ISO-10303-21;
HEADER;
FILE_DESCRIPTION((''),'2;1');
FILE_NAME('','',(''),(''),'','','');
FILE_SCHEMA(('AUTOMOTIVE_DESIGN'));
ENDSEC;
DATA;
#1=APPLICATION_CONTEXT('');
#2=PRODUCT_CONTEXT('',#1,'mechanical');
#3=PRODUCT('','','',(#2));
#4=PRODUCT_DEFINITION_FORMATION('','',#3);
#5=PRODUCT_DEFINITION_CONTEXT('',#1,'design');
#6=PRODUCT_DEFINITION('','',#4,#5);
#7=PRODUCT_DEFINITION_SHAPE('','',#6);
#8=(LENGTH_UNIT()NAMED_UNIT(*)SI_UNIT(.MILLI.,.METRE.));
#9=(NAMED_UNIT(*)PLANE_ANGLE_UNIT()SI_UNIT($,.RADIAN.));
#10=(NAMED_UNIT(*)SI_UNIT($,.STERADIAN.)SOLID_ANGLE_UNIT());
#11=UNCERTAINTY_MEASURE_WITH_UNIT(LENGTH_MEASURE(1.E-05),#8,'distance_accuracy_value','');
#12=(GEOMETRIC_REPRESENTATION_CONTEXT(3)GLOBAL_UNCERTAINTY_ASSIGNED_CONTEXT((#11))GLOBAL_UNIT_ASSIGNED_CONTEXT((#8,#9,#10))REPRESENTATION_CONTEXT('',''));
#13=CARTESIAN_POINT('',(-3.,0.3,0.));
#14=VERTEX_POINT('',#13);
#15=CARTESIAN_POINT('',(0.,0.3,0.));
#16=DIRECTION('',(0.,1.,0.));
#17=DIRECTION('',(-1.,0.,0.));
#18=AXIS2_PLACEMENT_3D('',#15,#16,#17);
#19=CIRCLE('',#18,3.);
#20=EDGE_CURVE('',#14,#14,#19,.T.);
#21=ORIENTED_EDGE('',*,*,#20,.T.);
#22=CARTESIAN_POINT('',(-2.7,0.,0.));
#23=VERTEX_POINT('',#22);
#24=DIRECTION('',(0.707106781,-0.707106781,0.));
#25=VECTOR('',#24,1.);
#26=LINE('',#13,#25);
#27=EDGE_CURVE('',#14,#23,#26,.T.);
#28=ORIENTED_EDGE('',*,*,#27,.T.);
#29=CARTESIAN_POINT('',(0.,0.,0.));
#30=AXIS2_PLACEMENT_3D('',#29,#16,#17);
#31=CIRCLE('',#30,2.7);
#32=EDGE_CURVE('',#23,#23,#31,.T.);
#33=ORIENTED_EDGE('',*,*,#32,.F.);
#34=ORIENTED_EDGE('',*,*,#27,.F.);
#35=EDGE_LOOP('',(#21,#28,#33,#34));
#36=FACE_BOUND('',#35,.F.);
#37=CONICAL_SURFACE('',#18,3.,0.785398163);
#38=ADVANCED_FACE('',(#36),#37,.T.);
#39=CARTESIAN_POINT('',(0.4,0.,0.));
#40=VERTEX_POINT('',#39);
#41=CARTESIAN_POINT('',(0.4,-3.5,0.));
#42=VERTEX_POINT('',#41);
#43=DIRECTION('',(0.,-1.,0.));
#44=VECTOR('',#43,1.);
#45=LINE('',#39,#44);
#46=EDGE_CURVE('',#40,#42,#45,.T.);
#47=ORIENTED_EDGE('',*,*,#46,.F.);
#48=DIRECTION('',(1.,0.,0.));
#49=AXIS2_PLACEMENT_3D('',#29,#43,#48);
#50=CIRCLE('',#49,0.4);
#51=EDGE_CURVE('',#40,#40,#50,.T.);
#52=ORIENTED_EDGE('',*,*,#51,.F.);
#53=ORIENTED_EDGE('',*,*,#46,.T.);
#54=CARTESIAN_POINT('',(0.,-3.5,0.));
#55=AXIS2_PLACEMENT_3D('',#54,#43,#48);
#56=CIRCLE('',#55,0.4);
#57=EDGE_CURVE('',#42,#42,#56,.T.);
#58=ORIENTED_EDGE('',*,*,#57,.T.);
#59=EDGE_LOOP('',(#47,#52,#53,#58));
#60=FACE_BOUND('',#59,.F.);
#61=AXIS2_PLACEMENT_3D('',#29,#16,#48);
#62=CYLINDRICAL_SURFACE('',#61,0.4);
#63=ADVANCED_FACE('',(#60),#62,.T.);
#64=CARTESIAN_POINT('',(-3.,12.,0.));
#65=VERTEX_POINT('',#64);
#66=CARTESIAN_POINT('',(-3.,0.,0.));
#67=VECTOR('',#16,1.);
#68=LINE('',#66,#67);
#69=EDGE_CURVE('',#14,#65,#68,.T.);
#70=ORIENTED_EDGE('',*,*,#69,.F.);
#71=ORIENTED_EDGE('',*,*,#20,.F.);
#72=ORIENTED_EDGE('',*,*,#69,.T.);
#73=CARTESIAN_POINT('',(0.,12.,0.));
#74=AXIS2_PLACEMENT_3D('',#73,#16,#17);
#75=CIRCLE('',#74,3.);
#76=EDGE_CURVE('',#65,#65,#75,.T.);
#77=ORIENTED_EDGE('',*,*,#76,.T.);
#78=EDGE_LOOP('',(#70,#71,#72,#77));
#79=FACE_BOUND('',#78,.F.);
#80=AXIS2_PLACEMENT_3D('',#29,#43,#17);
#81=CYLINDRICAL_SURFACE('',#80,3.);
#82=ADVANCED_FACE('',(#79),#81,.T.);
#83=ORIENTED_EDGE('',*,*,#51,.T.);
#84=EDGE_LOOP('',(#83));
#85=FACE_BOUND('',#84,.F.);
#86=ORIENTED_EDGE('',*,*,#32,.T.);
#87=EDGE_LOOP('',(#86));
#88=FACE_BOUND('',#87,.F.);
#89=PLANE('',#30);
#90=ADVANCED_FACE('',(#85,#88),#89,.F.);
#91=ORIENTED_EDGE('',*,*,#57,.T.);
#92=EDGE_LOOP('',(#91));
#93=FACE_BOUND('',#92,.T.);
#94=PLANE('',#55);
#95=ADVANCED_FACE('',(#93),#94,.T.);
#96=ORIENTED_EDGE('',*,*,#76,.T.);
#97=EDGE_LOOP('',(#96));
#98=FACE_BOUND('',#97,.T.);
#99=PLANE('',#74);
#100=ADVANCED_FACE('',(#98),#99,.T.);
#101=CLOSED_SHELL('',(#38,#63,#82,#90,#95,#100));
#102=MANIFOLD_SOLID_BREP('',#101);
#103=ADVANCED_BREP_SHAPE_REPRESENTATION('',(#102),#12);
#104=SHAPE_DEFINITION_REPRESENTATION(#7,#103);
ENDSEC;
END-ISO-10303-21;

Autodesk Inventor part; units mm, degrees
ref_plane "YZ Plane" through (0, 0, 0) normal (1, 0, 0) x (0, 1, 0)
ref_plane "XZ Plane" through (0, 0, 0) normal (0, 1, 0) x (-1, 0, 0)
ref_plane "XY Plane" through (0, 0, 0) normal (0, 0, 1) x (1, 0, 0)
sketch "スケッチ1" plane through (0, 0, 0) normal (0, 1, 0) x (-1, 0, 0)
  circle A0 centre (0, 0) radius 3
  dimension "d0" = 6
extrude "押し出し1" add sketch "スケッチ1" along normal blind 12
chamfer "面取り1" distance 0.3 angle 45 1 edges at (3, 0, 0)
sketch "スケッチ2" plane through (0, 0, 0) normal (0, -1, 0) x (1, 0, 0)
  circle A0 centre (0, 0) radius 0.4
  dimension "d6" = 0.8
extrude "押し出し2" add sketch "スケッチ2" along normal blind 3.5
properties part number "FanMotor"
